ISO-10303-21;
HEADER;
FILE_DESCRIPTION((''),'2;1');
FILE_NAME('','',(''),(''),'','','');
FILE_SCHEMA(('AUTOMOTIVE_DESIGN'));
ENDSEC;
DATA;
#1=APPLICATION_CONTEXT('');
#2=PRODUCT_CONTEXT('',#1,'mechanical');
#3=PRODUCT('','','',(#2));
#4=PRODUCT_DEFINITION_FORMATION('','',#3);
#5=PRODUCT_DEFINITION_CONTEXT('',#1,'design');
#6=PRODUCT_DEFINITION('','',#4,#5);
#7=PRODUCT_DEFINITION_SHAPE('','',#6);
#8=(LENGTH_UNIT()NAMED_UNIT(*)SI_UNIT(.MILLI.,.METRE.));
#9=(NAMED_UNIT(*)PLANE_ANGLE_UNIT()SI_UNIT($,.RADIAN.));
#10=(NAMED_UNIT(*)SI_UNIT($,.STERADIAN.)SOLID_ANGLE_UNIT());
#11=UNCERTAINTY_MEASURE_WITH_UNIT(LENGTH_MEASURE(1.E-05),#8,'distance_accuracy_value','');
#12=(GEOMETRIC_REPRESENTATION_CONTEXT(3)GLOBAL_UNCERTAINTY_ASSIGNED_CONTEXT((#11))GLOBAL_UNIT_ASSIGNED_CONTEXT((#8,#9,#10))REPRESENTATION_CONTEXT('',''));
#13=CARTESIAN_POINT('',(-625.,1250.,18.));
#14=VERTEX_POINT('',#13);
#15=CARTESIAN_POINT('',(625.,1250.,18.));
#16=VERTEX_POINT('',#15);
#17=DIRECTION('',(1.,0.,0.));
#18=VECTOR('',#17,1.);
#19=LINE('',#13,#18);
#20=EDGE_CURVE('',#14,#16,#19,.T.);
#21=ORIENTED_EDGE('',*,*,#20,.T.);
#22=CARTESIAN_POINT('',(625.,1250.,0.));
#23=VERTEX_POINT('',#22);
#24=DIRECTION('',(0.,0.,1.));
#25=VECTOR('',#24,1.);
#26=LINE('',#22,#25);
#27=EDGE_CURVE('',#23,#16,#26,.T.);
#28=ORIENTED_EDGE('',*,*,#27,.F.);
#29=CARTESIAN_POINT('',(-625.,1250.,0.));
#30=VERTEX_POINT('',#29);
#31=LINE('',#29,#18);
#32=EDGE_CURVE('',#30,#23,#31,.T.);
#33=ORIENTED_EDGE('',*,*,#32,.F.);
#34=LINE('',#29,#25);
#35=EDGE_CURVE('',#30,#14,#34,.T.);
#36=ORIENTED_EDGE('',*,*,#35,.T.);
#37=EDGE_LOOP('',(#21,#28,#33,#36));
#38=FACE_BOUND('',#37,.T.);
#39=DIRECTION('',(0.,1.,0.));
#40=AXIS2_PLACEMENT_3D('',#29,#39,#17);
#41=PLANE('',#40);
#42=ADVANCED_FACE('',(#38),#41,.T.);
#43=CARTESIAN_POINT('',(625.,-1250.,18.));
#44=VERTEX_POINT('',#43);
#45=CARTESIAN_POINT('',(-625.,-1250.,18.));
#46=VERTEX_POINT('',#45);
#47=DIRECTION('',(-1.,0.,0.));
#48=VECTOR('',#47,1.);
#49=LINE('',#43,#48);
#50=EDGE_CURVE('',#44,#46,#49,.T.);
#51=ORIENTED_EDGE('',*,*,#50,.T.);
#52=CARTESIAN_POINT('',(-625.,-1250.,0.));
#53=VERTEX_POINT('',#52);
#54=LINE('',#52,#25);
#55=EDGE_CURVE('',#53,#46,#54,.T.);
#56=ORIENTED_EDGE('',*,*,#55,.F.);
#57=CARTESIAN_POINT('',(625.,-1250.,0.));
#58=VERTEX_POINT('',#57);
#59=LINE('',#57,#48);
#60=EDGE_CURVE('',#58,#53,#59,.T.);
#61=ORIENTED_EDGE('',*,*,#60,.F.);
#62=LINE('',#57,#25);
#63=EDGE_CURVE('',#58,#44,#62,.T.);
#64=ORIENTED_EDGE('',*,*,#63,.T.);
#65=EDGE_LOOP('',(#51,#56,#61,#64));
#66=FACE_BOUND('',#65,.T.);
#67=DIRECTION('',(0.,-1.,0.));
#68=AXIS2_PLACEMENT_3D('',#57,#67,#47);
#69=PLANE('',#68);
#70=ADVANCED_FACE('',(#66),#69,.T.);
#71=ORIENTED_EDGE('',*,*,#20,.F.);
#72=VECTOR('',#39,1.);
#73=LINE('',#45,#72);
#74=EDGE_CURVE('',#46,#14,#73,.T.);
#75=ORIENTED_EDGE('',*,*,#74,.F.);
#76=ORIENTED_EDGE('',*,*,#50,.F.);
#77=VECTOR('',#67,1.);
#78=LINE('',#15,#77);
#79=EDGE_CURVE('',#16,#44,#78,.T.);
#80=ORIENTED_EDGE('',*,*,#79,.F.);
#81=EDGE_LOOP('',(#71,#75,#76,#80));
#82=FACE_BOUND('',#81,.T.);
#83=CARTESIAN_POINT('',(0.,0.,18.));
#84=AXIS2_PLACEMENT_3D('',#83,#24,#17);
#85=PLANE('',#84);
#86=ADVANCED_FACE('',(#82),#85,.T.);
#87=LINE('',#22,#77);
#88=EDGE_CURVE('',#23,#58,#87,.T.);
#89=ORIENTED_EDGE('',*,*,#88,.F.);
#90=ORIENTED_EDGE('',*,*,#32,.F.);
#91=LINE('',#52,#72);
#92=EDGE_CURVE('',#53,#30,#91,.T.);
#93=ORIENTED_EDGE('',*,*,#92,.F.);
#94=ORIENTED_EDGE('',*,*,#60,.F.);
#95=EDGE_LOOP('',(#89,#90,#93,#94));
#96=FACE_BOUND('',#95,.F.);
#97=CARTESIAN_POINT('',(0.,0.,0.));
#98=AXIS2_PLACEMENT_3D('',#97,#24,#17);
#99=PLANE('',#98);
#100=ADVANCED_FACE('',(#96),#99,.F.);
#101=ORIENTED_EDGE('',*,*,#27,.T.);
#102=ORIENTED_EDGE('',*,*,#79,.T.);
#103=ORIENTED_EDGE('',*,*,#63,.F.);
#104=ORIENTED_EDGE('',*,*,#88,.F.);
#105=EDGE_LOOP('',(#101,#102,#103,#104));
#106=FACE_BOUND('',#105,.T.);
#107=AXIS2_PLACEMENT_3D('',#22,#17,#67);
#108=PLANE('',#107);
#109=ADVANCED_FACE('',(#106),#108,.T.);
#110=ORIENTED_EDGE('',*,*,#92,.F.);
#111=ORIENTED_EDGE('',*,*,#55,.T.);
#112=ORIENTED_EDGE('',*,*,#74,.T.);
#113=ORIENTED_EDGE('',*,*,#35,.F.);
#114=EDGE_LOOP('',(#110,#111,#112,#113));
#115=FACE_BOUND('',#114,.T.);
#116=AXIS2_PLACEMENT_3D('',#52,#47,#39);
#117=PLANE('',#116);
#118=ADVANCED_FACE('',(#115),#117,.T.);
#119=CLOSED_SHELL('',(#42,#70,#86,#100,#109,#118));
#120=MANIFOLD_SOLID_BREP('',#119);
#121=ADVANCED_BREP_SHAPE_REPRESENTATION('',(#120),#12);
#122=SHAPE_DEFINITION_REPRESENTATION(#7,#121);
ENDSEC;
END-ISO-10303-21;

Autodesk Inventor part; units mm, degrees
ref_plane "YZ Plane" through (0, 0, 0) normal (1, 0, 0) x (0, 1, 0)
ref_plane "XZ Plane" through (0, 0, 0) normal (0, 1, 0) x (-1, 0, 0)
ref_plane "XY Plane" through (0, 0, 0) normal (0, 0, 1) x (1, 0, 0)
sketch "Sketch1" plane through (0, 0, 0) normal (0, 0, 1) x (1, 0, 0)
  line L0 (-625, 1250) -> (625, 1250)
  line L1 (625, 1250) -> (625, -1250)
  line L2 (625, -1250) -> (-625, -1250)
  line L3 (-625, -1250) -> (-625, 1250)
  line L4 (-625, 1250) -> (625, -1250) construction
  line L5 (625, 1250) -> (-625, -1250) construction
  point P0 (0, 0)
  dimension "d0" = 1250
  dimension "d1" = 2500
extrude "Extrusion1" add sketch "Sketch1" along normal blind 18
properties part number "1250х2500Х18"
